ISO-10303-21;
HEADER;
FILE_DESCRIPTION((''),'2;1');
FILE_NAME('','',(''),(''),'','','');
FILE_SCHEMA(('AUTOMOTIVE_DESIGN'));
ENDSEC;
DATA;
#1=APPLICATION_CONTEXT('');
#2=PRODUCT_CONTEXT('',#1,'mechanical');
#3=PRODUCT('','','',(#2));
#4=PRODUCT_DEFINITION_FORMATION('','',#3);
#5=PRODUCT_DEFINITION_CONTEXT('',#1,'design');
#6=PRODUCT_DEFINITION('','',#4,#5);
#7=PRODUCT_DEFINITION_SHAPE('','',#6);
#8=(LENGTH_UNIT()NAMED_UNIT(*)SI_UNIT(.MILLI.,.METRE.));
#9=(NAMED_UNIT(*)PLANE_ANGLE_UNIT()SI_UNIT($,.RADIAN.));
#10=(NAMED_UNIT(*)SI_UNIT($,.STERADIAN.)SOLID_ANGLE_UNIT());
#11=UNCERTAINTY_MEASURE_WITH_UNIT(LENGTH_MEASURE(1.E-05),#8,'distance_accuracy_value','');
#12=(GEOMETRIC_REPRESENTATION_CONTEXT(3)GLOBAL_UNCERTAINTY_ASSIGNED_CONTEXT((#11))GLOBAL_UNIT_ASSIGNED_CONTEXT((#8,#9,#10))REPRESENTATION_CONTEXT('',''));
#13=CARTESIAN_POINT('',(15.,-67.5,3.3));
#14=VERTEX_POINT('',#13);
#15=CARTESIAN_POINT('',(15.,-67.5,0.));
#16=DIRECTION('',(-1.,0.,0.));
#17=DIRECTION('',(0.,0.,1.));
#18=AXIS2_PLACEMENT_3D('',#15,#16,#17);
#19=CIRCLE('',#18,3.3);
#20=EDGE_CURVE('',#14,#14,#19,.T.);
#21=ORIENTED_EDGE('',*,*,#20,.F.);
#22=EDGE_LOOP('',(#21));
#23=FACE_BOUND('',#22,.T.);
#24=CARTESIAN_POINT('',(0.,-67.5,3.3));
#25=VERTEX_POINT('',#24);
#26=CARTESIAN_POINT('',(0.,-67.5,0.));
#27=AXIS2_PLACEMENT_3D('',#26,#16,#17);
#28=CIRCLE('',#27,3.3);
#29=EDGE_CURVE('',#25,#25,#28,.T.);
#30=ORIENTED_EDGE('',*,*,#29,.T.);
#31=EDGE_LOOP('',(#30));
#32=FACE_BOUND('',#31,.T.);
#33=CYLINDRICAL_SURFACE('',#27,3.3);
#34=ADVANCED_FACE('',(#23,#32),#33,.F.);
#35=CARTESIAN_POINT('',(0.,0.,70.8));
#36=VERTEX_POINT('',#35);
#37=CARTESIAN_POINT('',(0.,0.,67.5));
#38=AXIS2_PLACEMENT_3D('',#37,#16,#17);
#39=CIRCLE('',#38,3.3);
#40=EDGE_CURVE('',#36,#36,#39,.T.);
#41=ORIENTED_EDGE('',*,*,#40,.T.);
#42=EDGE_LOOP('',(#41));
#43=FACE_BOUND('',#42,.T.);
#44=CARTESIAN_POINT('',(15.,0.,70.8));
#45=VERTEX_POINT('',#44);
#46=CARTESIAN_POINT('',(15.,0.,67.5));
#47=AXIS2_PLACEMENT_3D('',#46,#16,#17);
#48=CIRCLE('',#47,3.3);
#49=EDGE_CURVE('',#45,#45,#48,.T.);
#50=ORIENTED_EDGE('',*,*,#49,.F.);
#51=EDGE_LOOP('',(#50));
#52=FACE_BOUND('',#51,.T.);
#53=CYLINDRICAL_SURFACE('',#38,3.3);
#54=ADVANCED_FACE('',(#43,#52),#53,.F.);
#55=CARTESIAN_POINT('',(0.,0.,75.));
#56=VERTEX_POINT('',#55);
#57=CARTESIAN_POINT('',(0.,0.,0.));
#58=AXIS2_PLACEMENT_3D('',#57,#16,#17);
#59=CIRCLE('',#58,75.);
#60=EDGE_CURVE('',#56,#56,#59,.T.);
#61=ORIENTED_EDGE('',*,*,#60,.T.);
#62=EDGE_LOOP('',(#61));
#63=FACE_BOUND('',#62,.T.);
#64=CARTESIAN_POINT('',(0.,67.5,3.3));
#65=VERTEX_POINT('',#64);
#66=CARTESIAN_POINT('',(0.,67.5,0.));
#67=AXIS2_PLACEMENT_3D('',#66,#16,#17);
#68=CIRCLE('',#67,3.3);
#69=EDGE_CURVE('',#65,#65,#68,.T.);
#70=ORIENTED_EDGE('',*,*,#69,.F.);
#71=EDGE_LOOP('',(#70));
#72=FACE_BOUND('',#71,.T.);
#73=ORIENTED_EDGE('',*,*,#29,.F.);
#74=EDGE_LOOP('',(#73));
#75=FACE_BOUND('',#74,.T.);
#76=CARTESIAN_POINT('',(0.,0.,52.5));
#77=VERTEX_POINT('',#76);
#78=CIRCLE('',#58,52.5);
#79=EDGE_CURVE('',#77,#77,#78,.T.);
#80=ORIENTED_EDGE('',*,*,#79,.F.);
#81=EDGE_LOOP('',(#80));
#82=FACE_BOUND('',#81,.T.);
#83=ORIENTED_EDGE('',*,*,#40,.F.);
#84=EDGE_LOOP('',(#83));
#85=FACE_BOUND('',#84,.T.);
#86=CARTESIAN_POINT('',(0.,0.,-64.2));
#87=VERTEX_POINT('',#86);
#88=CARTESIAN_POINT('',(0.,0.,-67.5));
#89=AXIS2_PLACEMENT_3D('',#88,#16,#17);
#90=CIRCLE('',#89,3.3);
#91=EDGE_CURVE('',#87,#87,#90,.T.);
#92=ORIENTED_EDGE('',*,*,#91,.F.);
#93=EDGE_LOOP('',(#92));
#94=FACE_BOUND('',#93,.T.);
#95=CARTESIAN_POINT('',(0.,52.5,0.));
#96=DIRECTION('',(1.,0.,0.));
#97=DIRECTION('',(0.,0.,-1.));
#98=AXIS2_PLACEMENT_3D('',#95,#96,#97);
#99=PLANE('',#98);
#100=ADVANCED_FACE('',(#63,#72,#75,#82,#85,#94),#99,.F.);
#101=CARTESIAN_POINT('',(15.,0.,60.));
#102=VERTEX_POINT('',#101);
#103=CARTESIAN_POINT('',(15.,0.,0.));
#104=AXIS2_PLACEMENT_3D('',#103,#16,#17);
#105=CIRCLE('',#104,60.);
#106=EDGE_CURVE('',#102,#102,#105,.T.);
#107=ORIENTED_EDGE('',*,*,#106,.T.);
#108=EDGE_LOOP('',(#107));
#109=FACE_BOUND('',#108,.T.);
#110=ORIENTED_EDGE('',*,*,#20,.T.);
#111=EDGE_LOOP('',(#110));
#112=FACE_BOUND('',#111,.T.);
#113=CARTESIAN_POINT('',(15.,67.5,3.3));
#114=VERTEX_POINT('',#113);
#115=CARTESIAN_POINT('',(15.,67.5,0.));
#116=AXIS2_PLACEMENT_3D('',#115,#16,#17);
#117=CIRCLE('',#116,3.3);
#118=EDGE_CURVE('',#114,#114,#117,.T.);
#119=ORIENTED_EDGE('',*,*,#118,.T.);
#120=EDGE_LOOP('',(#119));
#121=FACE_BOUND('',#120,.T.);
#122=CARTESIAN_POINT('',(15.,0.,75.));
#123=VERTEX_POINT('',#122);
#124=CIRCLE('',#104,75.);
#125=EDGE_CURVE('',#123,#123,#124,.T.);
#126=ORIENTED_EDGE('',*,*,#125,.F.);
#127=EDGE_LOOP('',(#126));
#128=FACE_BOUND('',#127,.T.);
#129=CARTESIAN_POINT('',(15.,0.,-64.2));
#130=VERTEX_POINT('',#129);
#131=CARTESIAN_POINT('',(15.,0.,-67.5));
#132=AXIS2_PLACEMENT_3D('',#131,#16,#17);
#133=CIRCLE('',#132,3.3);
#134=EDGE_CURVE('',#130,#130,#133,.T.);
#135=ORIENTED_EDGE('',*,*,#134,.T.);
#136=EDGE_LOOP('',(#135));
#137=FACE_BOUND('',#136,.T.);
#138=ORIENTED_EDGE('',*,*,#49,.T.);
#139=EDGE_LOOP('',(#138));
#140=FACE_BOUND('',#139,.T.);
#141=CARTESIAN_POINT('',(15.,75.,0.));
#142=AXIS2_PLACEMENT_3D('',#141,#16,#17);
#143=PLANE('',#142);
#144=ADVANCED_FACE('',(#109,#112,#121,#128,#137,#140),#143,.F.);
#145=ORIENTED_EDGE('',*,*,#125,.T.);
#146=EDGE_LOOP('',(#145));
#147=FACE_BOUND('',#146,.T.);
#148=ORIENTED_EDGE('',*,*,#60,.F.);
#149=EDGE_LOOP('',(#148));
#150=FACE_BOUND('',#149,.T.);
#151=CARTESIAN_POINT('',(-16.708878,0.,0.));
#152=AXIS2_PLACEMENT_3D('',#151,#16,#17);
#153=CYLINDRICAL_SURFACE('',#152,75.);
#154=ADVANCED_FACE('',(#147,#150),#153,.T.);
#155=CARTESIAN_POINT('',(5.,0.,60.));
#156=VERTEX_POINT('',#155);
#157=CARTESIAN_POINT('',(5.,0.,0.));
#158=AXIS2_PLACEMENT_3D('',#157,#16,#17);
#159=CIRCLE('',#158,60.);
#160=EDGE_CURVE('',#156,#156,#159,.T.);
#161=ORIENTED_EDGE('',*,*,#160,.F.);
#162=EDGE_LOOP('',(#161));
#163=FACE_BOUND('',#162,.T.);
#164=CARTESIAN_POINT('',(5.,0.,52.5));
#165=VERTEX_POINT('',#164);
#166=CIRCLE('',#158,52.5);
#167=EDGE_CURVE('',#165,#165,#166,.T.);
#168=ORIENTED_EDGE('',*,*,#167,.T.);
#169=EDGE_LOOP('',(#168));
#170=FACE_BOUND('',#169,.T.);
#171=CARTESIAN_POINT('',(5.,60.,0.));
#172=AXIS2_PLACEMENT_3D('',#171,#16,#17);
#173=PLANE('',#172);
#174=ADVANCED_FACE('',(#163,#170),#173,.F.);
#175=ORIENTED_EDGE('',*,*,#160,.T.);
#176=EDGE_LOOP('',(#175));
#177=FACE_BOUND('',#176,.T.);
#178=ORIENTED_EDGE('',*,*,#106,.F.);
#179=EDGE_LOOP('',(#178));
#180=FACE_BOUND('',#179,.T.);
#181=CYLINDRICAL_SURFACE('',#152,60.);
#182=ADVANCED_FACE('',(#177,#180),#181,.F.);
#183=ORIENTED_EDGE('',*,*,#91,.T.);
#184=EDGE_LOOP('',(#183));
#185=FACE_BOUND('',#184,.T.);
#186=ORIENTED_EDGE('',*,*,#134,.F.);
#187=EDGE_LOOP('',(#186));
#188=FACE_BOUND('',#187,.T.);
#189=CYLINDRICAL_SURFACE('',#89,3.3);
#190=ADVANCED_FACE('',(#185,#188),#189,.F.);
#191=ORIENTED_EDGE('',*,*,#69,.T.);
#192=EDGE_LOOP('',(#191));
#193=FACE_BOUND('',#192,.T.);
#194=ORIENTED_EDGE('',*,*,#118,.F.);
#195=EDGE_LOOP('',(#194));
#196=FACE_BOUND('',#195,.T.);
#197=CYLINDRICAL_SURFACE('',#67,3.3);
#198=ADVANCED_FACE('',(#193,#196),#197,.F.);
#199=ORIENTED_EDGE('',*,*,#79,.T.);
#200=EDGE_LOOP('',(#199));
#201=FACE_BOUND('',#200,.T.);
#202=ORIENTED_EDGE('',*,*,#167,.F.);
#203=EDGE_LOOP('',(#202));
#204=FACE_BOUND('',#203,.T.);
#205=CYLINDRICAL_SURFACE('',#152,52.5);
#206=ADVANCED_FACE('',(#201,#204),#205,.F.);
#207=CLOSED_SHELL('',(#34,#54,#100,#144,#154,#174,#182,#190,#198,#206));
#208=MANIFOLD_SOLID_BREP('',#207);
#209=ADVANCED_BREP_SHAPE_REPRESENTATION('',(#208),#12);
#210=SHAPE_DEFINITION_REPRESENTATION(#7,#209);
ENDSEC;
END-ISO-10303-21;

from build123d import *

# Parameters (mm, degrees)
PER_AGE1_D = 6.6


with BuildPart() as part:
    # Esquisse1 → Base-Révolution (revolve)
    with BuildSketch(Plane.XY, mode=Mode.PRIVATE) as base_r_volution_sk:
        Polygon((0, 52.5), (0, 75), (15, 75), (15, 60), (5, 60), (5, 52.5), align=None)
    revolve(base_r_volution_sk.sketch.rotate(Axis((-16.708877928, 0, 0), (1, 0, 0)), 90), axis=Axis((-16.708877928, 0, 0), (1, 0, 0)))

    # Perçage1 (through all)
    with Locations(Plane.ZY):
        with Locations((0, 67.5), (67.5, 0), (0, -67.5), (-67.5, 0)):
            Hole(PER_AGE1_D / 2)


solid = part.part
